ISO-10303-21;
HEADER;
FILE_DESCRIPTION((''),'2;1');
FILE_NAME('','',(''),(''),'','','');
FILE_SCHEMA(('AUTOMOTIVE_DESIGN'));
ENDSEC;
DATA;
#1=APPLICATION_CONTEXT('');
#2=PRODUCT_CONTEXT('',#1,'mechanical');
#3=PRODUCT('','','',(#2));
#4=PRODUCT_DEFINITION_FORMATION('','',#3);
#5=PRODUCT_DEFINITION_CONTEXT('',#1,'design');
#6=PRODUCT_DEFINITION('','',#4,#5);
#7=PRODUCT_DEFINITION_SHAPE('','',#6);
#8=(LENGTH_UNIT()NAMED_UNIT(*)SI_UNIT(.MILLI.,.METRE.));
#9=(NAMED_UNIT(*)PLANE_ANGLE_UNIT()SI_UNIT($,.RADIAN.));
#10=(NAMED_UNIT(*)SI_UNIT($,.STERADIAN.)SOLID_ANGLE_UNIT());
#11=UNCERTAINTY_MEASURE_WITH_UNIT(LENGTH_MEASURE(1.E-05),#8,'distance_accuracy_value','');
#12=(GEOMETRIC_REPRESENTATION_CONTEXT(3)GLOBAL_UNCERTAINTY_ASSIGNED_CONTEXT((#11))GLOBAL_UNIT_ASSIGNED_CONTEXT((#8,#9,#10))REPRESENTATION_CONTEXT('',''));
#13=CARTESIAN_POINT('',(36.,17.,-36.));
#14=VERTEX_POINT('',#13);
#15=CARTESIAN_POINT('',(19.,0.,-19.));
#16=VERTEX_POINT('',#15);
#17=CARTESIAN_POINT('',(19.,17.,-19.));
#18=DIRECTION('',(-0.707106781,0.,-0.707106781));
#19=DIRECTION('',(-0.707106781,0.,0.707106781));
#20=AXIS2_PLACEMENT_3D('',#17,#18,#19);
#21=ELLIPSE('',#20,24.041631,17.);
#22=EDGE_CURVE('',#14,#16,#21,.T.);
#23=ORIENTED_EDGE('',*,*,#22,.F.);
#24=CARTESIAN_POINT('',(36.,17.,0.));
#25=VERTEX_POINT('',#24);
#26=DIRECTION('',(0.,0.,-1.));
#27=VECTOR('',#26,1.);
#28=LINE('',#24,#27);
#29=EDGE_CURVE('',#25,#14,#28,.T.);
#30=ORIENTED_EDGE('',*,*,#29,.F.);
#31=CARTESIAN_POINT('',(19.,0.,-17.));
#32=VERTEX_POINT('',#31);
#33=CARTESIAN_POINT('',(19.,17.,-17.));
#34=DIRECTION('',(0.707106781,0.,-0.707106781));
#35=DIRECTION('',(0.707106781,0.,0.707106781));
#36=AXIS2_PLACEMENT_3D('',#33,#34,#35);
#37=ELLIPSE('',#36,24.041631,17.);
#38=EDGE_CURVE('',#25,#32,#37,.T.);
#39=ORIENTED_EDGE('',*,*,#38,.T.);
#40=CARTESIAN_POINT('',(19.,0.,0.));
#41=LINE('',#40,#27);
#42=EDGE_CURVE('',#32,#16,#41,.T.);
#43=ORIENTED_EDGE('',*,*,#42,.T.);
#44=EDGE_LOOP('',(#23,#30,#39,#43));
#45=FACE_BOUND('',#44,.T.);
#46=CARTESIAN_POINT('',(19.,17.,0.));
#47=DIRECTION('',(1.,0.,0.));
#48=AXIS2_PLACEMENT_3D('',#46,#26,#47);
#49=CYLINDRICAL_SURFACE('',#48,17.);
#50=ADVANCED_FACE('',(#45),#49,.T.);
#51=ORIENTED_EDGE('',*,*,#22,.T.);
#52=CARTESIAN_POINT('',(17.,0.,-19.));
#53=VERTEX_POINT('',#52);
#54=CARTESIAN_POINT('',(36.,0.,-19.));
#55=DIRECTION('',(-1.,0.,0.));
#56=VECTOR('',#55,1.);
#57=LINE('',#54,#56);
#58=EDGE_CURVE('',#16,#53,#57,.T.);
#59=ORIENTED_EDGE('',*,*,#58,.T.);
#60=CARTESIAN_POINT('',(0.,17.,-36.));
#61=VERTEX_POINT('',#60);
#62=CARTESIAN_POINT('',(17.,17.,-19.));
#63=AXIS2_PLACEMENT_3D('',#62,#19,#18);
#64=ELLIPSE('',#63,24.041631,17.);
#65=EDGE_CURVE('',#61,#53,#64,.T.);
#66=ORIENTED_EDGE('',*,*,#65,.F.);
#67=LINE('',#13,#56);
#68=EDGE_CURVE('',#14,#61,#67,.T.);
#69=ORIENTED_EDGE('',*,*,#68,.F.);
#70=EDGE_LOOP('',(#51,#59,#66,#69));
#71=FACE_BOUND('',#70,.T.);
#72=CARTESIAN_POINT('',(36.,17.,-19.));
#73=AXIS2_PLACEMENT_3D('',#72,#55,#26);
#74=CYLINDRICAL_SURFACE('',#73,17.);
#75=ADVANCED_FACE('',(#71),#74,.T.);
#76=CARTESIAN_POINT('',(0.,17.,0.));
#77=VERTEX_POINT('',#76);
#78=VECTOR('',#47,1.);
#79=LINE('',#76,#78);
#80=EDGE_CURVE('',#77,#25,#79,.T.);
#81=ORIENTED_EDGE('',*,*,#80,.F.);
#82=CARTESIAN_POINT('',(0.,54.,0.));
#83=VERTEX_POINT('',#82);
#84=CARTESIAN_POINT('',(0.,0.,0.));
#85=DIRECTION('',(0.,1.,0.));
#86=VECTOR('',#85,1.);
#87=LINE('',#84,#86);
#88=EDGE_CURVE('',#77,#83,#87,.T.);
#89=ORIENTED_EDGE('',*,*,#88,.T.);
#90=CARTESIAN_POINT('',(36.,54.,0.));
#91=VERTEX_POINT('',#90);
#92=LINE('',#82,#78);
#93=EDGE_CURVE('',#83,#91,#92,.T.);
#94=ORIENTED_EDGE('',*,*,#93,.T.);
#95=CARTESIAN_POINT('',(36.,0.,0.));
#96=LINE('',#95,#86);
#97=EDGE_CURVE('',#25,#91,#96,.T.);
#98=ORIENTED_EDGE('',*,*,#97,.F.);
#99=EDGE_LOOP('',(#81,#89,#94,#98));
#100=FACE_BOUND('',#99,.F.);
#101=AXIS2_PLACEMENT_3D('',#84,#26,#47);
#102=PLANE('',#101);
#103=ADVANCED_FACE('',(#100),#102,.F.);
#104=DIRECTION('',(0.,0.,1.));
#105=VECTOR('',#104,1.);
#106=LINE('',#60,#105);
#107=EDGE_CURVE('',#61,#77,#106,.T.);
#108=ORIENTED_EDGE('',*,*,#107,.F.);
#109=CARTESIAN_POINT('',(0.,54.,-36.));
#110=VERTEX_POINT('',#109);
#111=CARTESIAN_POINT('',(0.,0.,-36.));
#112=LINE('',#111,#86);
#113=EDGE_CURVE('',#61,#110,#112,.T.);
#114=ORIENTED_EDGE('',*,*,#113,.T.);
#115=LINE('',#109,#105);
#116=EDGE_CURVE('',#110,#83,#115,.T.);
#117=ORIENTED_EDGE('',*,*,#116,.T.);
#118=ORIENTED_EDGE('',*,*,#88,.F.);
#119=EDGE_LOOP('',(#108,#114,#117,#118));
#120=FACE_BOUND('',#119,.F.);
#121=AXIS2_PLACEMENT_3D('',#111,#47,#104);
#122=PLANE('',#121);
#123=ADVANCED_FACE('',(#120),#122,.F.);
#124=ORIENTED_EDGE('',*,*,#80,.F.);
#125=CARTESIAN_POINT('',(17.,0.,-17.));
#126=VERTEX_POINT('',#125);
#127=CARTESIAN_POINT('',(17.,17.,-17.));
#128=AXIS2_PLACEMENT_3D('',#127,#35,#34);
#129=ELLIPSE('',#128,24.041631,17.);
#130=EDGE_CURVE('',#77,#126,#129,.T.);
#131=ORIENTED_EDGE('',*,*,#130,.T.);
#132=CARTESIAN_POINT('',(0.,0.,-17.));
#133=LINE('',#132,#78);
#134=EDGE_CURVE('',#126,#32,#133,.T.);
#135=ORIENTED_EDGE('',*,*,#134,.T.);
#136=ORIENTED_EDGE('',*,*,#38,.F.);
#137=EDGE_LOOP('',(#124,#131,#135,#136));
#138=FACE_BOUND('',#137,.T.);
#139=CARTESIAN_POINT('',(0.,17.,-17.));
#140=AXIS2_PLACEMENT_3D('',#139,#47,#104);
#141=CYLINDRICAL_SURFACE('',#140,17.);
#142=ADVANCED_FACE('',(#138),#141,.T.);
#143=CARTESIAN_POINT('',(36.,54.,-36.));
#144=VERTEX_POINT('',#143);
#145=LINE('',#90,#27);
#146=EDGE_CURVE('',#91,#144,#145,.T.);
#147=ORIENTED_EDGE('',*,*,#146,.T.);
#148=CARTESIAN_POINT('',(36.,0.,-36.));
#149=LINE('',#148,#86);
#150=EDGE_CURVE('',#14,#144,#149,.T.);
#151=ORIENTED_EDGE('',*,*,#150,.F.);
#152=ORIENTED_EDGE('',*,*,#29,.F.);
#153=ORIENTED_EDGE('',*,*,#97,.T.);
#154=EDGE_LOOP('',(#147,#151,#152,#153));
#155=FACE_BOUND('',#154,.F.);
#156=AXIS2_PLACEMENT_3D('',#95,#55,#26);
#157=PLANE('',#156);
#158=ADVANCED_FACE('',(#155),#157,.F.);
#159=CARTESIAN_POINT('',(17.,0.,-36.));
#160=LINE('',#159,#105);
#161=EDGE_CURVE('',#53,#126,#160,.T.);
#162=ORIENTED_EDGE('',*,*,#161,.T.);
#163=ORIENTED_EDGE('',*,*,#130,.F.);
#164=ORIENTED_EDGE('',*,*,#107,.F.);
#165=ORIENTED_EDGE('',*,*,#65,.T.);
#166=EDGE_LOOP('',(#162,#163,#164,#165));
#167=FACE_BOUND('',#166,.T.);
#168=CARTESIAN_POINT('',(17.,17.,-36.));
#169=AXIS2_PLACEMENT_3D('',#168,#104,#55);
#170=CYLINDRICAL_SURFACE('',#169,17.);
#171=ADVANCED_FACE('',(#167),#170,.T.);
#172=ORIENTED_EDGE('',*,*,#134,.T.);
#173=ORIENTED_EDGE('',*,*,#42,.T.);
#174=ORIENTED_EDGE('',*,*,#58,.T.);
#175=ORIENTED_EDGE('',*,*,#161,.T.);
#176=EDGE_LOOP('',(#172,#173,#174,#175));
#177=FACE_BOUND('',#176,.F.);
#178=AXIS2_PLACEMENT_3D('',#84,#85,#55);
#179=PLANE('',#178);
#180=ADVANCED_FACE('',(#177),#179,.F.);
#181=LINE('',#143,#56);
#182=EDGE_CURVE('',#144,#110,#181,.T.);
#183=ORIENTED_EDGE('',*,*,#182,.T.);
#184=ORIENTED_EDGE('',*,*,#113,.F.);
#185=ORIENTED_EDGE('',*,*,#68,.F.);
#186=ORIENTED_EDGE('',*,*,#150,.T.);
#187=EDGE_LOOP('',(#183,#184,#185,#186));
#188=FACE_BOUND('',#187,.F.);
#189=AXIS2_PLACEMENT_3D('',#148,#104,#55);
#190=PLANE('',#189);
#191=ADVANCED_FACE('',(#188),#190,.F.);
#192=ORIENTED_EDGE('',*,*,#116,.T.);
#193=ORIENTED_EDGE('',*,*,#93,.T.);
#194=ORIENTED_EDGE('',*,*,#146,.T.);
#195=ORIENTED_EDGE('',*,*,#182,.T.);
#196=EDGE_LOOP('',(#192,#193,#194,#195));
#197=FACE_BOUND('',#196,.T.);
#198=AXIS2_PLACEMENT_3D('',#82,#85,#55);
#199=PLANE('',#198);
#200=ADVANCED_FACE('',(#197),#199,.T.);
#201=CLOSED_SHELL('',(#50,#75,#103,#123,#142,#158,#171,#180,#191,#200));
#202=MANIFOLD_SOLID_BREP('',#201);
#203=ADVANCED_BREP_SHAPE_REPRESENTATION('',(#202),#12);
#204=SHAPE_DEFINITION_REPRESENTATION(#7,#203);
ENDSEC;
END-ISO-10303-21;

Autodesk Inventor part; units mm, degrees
ref_plane "YZ Plane" through (0, 0, 0) normal (1, 0, 0) x (0, 1, 0)
ref_plane "XZ Plane" through (0, 0, 0) normal (0, 1, 0) x (-1, 0, 0)
ref_plane "XY Plane" through (0, 0, 0) normal (0, 0, 1) x (1, 0, 0)
sketch "Sketch2" plane through (0, 0, 0) normal (0, 1, 0) x (-1, 0, 0)
  line L0 (0, 0) -> (-36, 0)
  line L1 (-36, 0) -> (-36, -36)
  line L2 (-36, -36) -> (0, -36)
  line L3 (0, -36) -> (0, 0)
  dimension "d0" = 36
  dimension "d1" = 36
extrude "Extrusion1" add sketch "Sketch2" along normal blind 54
fillet "Fillet1" radius 17 4 edges at (18, 0, 0) (18, 0, -36) (36, 0, -18) (0, 0, -18)
properties part number "CPO-1-bob"
